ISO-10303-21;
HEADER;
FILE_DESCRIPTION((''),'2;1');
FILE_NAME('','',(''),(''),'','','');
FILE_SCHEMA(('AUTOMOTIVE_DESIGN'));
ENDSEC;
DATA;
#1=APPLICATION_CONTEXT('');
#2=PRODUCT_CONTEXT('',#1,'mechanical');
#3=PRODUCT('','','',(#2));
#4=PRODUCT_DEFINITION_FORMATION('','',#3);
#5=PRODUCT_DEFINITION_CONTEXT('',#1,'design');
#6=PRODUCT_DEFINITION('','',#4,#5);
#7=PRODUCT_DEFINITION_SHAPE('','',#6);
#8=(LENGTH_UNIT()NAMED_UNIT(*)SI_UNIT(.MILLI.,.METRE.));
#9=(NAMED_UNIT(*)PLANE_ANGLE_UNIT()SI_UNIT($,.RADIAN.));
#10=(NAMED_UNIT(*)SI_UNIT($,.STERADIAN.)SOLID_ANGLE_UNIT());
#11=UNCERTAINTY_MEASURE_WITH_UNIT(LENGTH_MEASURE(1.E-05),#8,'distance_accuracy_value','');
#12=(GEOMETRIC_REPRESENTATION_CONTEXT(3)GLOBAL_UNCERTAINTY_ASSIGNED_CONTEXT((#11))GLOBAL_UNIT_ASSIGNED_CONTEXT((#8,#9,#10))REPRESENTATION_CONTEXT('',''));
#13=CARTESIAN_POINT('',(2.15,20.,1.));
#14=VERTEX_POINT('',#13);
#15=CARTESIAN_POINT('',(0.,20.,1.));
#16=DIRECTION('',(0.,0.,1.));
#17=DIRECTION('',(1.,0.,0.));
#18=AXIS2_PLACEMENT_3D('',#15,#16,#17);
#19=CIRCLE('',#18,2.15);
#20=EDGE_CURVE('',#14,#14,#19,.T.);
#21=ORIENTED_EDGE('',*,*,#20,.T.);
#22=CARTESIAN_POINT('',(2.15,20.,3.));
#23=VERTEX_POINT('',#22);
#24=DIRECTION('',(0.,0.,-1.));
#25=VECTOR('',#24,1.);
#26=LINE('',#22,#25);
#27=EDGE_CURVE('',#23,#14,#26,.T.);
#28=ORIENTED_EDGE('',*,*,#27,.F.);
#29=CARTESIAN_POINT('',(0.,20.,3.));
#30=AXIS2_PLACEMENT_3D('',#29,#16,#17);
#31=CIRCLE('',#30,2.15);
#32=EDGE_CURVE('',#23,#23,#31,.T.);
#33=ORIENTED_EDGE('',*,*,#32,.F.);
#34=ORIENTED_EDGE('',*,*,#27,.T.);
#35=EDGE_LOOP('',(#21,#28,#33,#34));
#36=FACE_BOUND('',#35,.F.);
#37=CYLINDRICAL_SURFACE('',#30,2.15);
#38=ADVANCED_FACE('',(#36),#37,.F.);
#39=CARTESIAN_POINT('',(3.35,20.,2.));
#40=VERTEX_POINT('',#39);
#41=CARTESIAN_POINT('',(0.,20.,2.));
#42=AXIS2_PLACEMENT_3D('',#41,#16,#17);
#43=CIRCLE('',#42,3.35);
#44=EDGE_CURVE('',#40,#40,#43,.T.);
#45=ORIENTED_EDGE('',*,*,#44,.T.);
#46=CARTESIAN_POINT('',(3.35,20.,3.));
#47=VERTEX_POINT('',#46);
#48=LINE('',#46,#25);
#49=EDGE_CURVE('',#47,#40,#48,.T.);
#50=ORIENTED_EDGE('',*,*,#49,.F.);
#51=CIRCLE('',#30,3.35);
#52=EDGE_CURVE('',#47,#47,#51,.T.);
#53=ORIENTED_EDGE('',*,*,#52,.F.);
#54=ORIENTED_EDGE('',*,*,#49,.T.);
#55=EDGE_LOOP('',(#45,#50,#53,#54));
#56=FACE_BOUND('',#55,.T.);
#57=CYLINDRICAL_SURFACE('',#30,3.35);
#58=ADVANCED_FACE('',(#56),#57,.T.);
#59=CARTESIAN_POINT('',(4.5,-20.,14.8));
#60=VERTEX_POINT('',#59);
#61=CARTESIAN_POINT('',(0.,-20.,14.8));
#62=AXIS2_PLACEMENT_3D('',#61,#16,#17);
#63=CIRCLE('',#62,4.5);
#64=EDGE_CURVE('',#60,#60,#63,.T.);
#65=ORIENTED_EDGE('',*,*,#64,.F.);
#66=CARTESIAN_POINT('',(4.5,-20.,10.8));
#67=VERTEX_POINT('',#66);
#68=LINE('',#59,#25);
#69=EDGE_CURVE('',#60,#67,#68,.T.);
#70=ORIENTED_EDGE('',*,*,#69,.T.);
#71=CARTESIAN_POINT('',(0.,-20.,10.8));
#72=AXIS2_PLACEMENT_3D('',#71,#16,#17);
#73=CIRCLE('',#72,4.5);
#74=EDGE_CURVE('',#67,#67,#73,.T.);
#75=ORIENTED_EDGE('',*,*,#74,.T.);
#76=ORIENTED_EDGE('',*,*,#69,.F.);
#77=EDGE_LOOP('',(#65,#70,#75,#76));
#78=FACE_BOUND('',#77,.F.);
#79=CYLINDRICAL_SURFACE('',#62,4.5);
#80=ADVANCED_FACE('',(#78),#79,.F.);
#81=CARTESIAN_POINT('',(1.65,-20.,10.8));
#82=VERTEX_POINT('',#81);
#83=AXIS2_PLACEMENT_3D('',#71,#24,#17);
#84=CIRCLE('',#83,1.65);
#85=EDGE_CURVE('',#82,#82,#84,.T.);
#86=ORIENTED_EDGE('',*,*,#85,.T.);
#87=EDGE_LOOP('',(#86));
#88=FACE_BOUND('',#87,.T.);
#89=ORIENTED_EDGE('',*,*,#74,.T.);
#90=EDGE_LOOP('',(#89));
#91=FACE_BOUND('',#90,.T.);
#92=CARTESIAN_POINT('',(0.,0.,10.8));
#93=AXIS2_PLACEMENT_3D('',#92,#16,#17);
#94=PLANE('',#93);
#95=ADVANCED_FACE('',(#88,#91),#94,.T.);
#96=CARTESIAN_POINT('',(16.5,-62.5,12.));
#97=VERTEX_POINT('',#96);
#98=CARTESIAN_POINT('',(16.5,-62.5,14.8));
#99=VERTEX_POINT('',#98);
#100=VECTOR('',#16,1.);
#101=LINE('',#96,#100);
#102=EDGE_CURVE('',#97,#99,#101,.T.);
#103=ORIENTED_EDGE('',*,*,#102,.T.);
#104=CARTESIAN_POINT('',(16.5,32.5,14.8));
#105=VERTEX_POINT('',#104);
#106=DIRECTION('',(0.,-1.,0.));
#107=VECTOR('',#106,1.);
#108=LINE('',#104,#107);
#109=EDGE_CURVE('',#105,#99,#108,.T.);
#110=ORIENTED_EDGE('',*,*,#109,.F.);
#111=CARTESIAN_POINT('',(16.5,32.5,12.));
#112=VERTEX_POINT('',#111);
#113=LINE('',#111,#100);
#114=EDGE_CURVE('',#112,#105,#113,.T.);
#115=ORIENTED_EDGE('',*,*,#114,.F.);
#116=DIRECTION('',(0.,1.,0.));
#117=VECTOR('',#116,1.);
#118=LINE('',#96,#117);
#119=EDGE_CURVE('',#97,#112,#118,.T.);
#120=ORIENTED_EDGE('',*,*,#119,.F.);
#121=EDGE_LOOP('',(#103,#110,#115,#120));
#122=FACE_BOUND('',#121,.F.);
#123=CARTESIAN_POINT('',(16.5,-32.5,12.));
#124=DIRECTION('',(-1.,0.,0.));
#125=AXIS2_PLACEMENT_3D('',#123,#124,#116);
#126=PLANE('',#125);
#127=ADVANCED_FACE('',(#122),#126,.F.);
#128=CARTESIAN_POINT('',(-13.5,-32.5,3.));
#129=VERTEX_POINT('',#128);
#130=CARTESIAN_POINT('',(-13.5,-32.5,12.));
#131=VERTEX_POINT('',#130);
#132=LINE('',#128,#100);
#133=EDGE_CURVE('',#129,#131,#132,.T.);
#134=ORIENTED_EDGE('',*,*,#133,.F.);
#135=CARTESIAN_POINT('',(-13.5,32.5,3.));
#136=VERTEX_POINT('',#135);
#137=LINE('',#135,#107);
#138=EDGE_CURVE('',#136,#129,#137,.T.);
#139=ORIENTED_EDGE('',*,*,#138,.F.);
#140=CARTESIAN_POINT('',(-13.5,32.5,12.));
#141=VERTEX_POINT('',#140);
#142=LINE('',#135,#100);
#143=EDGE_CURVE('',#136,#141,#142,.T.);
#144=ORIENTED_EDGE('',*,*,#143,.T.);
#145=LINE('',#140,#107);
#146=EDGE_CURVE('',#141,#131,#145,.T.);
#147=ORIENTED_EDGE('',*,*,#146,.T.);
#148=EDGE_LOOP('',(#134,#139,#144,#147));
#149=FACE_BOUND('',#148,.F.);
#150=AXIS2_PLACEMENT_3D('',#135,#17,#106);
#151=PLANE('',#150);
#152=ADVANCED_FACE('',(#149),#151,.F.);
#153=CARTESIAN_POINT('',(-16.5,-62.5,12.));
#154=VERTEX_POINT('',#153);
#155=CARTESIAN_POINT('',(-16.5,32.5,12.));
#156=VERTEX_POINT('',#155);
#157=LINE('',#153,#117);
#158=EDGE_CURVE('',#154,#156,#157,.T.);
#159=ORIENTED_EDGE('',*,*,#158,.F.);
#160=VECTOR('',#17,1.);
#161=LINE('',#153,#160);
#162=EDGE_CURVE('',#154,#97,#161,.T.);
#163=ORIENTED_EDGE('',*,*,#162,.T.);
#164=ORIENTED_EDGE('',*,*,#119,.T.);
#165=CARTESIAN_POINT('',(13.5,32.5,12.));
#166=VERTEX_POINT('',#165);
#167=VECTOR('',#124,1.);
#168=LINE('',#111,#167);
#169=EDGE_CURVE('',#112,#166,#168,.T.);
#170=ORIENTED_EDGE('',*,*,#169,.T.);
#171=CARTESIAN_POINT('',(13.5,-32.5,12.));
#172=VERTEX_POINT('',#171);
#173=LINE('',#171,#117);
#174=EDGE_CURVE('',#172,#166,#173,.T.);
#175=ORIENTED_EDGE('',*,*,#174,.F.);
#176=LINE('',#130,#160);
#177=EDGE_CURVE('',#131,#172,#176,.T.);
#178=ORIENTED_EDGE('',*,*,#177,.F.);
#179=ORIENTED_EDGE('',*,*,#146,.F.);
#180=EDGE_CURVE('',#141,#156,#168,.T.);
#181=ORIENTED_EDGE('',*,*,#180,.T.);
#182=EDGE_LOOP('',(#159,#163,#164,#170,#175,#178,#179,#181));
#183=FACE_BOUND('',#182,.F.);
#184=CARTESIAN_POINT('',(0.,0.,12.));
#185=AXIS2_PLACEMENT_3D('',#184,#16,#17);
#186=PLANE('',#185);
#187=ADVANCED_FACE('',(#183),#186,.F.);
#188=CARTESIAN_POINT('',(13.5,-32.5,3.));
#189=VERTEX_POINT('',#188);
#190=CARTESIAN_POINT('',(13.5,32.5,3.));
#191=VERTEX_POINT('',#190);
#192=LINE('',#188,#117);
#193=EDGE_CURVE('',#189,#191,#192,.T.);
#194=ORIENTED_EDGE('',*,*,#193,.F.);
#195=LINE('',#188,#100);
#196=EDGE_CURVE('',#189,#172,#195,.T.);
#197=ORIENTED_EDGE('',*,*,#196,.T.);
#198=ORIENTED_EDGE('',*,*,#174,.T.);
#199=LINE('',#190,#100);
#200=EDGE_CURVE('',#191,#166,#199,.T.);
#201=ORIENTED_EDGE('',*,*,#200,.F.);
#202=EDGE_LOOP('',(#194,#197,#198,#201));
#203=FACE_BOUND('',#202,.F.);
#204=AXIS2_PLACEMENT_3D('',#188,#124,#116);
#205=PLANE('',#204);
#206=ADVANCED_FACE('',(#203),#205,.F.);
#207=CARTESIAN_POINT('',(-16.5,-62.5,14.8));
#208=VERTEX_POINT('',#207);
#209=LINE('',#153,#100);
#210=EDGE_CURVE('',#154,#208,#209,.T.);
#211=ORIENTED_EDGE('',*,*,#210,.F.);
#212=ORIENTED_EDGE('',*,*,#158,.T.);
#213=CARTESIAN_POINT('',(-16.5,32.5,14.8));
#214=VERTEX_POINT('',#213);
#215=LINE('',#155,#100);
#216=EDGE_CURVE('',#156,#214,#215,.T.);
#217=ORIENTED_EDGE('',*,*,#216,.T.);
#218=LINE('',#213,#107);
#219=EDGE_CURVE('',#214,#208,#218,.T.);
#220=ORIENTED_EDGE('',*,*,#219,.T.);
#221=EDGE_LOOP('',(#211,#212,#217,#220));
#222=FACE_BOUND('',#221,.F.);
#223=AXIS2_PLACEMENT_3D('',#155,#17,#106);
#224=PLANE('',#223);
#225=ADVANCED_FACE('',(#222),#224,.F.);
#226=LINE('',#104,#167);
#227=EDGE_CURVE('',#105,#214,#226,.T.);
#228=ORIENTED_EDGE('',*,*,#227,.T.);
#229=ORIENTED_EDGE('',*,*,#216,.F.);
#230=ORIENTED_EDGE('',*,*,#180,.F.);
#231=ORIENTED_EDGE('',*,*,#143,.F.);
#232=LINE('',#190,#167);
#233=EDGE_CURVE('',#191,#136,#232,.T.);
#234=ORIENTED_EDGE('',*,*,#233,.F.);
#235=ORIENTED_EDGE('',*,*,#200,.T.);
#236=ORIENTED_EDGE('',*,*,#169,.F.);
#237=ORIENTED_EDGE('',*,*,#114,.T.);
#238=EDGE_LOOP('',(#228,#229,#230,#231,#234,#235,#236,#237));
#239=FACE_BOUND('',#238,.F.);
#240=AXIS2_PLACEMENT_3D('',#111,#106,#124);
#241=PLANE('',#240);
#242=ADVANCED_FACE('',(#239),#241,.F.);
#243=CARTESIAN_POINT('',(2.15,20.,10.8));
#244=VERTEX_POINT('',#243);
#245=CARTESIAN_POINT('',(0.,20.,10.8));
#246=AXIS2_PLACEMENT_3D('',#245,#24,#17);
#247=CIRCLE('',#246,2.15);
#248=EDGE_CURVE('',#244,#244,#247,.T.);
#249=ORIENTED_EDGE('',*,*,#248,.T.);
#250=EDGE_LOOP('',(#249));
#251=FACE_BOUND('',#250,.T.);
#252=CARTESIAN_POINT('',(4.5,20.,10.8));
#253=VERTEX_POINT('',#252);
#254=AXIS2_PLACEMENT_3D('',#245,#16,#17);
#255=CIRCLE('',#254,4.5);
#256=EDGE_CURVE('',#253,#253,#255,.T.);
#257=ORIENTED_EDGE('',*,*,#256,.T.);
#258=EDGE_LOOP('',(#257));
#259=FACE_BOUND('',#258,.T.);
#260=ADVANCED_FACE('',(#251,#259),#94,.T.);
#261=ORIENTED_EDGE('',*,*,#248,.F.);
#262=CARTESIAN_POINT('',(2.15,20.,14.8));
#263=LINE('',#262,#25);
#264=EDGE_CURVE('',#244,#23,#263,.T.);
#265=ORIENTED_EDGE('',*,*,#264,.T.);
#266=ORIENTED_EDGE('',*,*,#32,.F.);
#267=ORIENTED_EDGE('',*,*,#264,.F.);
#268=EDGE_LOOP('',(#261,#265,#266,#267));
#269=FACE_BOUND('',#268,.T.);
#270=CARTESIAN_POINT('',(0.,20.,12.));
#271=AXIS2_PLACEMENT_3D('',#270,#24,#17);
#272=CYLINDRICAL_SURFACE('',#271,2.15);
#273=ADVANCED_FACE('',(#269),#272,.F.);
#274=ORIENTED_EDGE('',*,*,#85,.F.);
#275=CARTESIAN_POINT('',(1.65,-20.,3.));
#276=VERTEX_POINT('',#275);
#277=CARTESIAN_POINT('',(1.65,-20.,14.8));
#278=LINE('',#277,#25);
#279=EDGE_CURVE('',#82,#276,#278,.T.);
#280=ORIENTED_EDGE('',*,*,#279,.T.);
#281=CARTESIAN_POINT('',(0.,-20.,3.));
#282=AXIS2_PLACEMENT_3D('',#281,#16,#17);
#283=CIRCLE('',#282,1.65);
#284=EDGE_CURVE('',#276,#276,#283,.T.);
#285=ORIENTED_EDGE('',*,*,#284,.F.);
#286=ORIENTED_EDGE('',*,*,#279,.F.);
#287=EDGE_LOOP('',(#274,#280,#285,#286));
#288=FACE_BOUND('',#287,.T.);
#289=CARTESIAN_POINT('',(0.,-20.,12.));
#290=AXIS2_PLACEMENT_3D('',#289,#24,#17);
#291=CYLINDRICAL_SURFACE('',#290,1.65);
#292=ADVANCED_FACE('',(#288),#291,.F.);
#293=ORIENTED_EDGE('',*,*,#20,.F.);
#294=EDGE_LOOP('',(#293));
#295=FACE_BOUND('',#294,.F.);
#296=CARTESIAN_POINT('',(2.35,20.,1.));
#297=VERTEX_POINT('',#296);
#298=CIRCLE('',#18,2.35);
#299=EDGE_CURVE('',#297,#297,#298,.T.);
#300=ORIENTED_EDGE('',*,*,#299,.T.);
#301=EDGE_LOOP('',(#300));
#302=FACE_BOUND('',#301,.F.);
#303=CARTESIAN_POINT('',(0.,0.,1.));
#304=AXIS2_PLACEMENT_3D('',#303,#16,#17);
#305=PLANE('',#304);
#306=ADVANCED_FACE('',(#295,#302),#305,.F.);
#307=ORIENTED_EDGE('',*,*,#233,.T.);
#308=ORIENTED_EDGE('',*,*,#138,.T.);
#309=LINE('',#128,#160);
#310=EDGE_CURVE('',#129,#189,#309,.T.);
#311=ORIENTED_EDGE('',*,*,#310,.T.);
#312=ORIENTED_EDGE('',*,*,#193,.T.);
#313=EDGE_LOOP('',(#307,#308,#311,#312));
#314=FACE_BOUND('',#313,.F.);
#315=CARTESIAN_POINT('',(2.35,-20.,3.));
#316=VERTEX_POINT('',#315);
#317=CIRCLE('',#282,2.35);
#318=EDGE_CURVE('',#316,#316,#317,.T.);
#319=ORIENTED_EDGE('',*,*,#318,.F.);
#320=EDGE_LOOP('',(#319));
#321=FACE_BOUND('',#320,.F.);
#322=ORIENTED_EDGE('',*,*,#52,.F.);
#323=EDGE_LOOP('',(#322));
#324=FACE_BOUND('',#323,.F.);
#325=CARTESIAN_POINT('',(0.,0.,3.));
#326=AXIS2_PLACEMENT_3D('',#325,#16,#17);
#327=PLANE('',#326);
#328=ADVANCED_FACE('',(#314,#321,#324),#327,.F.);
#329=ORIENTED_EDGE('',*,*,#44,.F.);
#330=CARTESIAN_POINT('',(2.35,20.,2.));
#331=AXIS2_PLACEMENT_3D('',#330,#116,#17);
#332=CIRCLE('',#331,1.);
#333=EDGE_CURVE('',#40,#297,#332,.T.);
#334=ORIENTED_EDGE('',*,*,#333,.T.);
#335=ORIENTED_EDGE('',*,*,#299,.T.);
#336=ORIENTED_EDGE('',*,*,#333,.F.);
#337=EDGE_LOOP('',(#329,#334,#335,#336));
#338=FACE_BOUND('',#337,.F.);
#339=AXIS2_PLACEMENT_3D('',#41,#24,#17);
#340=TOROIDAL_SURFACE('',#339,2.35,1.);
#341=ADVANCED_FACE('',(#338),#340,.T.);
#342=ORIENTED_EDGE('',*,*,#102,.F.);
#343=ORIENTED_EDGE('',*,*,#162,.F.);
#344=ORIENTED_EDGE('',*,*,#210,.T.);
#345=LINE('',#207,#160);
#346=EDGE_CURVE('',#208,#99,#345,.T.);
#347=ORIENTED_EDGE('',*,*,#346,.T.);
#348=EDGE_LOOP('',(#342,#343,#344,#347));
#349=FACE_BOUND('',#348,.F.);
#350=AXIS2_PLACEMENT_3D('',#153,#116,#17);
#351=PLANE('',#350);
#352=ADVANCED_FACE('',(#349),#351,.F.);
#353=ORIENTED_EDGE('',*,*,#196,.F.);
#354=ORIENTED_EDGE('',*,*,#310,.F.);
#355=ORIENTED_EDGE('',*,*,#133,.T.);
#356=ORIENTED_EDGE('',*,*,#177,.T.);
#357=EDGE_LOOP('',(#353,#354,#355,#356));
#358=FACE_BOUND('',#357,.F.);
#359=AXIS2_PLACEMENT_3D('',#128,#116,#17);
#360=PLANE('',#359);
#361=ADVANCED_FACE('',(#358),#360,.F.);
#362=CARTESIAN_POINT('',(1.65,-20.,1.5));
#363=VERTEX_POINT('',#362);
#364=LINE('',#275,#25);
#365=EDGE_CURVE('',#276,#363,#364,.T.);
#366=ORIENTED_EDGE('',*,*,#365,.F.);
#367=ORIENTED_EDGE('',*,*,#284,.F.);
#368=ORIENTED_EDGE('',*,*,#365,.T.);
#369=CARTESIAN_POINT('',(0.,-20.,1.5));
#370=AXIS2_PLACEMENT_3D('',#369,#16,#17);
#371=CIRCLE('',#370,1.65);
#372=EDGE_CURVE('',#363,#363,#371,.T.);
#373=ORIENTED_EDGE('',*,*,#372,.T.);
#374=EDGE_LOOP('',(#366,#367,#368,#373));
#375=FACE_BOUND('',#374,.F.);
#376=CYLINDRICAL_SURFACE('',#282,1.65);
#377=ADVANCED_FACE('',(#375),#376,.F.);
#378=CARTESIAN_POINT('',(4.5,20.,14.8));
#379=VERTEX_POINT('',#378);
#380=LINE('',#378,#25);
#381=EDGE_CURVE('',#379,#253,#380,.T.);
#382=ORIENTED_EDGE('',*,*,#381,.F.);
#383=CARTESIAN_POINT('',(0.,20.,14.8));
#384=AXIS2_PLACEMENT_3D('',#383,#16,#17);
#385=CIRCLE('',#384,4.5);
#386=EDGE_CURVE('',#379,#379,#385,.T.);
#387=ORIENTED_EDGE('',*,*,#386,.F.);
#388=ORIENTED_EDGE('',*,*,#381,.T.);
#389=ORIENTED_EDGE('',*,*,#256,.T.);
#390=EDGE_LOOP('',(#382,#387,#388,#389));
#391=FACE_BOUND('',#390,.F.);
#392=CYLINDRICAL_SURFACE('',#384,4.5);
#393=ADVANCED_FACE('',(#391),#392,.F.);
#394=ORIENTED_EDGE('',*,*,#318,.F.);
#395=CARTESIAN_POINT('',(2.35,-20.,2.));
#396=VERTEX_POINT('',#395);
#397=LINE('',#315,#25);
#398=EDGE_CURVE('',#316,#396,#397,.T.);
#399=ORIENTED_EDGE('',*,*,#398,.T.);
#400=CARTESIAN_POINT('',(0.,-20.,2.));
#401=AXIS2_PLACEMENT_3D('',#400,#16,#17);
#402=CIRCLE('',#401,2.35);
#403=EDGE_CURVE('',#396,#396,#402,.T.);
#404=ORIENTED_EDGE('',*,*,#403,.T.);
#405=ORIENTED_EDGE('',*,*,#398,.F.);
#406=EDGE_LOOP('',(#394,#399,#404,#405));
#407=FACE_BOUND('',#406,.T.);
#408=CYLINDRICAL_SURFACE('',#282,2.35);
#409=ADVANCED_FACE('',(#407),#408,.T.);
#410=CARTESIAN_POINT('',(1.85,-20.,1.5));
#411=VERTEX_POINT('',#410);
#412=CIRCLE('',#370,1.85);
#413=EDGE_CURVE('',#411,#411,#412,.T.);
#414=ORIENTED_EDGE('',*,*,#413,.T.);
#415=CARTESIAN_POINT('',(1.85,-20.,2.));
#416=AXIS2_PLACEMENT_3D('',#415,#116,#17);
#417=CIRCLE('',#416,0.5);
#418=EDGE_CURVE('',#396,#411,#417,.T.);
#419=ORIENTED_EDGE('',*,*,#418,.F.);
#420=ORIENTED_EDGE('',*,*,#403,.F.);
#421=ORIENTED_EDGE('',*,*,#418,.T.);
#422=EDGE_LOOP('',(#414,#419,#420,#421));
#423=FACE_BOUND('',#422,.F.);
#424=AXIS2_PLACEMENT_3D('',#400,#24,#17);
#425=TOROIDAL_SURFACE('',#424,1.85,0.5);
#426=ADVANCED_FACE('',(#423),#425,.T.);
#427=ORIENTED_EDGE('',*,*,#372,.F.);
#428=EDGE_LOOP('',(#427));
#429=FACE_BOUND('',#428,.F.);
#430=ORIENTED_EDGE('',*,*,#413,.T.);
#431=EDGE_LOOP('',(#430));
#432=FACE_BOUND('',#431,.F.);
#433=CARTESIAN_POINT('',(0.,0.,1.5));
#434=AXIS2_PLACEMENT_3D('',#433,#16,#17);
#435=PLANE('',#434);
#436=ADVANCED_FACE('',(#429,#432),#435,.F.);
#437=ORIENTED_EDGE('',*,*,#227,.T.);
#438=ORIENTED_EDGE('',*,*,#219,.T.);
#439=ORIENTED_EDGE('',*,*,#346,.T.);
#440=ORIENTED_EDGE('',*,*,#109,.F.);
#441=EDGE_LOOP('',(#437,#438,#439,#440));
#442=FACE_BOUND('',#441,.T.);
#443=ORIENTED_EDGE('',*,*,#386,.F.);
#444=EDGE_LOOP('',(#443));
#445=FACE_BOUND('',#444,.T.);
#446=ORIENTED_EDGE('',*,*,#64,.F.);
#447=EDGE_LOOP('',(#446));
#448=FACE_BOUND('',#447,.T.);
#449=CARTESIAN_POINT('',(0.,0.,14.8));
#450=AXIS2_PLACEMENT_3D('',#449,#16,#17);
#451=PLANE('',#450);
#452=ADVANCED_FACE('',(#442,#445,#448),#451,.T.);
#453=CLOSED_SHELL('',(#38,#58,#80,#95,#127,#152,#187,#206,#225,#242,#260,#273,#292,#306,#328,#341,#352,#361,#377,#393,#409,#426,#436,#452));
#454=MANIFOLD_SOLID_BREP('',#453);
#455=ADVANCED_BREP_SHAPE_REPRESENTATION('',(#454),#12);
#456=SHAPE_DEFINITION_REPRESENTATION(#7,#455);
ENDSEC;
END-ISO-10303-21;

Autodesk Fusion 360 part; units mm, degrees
sketch "Sketch1" plane through (0, 0, 0) normal (0, 0, 1) x (1, 0, 0)
  line L0 (-30.5, 32.5) -> (30.5, 32.5)
  line L1 (32.5, 30.5) -> (32.5, -30.5)
  line L2 (30.5, -32.5) -> (-30.5, -32.5)
  line L3 (-32.5, -30.5) -> (-32.5, 30.5)
  line L4 (-32.5, 32.5) -> (32.5, -32.5) construction
  line L5 (32.5, 32.5) -> (-32.5, -32.5) construction
  circle A0 centre (0, 0) radius 2.5
  circle A1 centre (0, 10) radius 2.5
  circle A2 centre (0, 20) radius 3.5
  circle A3 centre (0, -10) radius 2.5
  circle A4 centre (0, -20) radius 2.5
  circle A5 centre (10, -20) radius 2.5
  circle A6 centre (10, 0) radius 2.5
  circle A7 centre (10, 20) radius 2.5
  circle A8 centre (20, -20) radius 2.5
  circle A9 centre (20, 20) radius 2.5
  line L6 (17.5, 10) -> (17.5, -10)
  line L7 (22.5, -10) -> (22.5, 10)
  arc A10 (22.5, 10) -> (17.5, 10) centre (20, 10) ccw
  arc A11 (17.5, -10) -> (22.5, -10) centre (20, -10) ccw
  line L8 (29, 3) -> (29, -3)
  line L9 (26, -3) -> (26, 3)
  arc A12 (29, 3) -> (26, 3) centre (27.5, 3) ccw
  arc A13 (26, -3) -> (29, -3) centre (27.5, -3) ccw
  arc A14 (29, 23) -> (26, 23) centre (27.5, 23) ccw
  line L10 (29, 23) -> (29, 17)
  arc A15 (26, 17) -> (29, 17) centre (27.5, 17) ccw
  line L11 (26, 17) -> (26, 23)
  arc A16 (26, -23) -> (29, -23) centre (27.5, -23) ccw
  line L12 (29, -17) -> (29, -23)
  line L13 (26, -23) -> (26, -17)
  arc A17 (29, -17) -> (26, -17) centre (27.5, -17) ccw
  circle A18 centre (-10, -20) radius 2.5
  line L14 (-26, -3) -> (-26, 3)
  line L15 (-26, 17) -> (-26, 23)
  arc A19 (-29, -3) -> (-26, -3) centre (-27.5, -3) ccw
  circle A20 centre (-10, 20) radius 2.5
  circle A21 centre (-20, -20) radius 2.5
  line L16 (-29, 23) -> (-29, 17)
  circle A22 centre (-20, 20) radius 2.5
  arc A23 (-17.5, 10) -> (-22.5, 10) centre (-20, 10) ccw
  arc A24 (-26, 23) -> (-29, 23) centre (-27.5, 23) ccw
  arc A25 (-22.5, -10) -> (-17.5, -10) centre (-20, -10) ccw
  arc A26 (-26, 3) -> (-29, 3) centre (-27.5, 3) ccw
  line L17 (-17.5, 10) -> (-17.5, -10)
  line L18 (-29, 3) -> (-29, -3)
  circle A27 centre (-10, 0) radius 2.5
  arc A28 (-29, -23) -> (-26, -23) centre (-27.5, -23) ccw
  line L19 (-22.5, -10) -> (-22.5, 10)
  line L20 (-26, -23) -> (-26, -17)
  arc A29 (-26, -17) -> (-29, -17) centre (-27.5, -17) ccw
  arc A30 (-29, 17) -> (-26, 17) centre (-27.5, 17) ccw
  line L21 (-29, -17) -> (-29, -23)
  arc A31 (-30.5, 32.5) -> (-32.5, 30.5) centre (-30.5, 30.5) ccw
  arc A32 (32.5, 30.5) -> (30.5, 32.5) centre (30.5, 30.5) ccw
  arc A33 (30.5, -32.5) -> (32.5, -30.5) centre (30.5, -30.5) ccw
  arc A34 (-32.5, -30.5) -> (-30.5, -32.5) centre (-30.5, -30.5) ccw
  circle A35 centre (0, 20) radius 1.65
  circle A36 centre (0, 20) radius 3.35
  circle A37 centre (0, -20) radius 1.65
  circle A38 centre (0, -20) radius 2.35
  dimension "d1" = 65
  dimension "d2" = 65
  dimension "d3" = 5
  dimension "d8" = 7
  dimension "d11" = 0
  dimension "d12" = -10
  dimension "d13" = 5
  dimension "d14" = 5
  dimension "d16" = 5
  dimension "d17" = 3
  dimension "d19" = 3
  dimension "d20" = 3
  dimension "d21" = 3
  dimension "d22" = 3
  dimension "d23" = 3
  dimension "d24" = 2
  dimension "d25" = 2
  dimension "d26" = 2
  dimension "d27" = 2
  dimension "d42" = 3.3
  dimension "d43" = 6.7
  dimension "d44" = 3.3
  dimension "d45" = 4.7
ref_plane "WorkPlane1" through (0, 0, 3) normal (0, 0, 1) x (1, 0, 0)
sketch "Sketch3" plane through (0, 0, 3) normal (0, 0, 1) x (1, 0, 0)
  line L0 (13.5, 32.5) -> (-13.5, 32.5)
  line L1 (-13.5, 32.5) -> (-13.5, -32.5)
  line L2 (-13.5, -32.5) -> (13.5, -32.5)
  line L3 (13.5, -32.5) -> (13.5, 32.5)
  line L4 (13.5, 32.5) -> (-13.5, -32.5) construction
  line L5 (-13.5, 32.5) -> (13.5, -32.5) construction
  circle A0 centre (0, 20) radius 3.35
  circle A1 centre (0, -20) radius 2.35
  circle A2 centre (0, 20) radius 2.15
  circle A3 centre (0, -20) radius 1.65
  dimension "d33" = 27
  dimension "d34" = 65
  dimension "d67" = 6.7
  dimension "d68" = 4.7
  dimension "d69" = 4.3
  dimension "d70" = 3.3
ref_plane "WorkPlane2" through (0, 0, 12) normal (0, 0, 1) x (1, 0, 0)
sketch "Sketch4" plane through (0, 0, 12) normal (0, 0, 1) x (1, 0, 0)
  line L0 (16.5, 32.5) -> (-16.5, 32.5)
  line L1 (-16.5, 32.5) -> (-16.5, -32.5)
  line L2 (16.5, -32.5) -> (16.5, 32.5)
  line L3 (-16.5, -32.5) -> (-16.5, -62.5)
  line L4 (-16.5, -62.5) -> (16.5, -62.5)
  line L5 (16.5, -62.5) -> (16.5, -32.5)
  circle A0 centre (0, 20) radius 2.15
  circle A1 centre (0, -20) radius 1.65
  dimension "d38" = 30
  dimension "d39" = 33
ref_plane "WorkPlane3" through (0, 0, 14.8) normal (0, 0, 1) x (1, 0, 0)
sketch "Sketch5" plane through (0, 0, 14.8) normal (0, 0, 1) x (1, 0, 0)
  circle A0 centre (0, 20) radius 4.5
  circle A1 centre (0, -20) radius 4.5
  dimension "d61" = 9
  dimension "d62" = 9
extrude "Extrude8" add sketch "Sketch3" along normal blind 9 contours L0 L1 L2 L3 | A0 | A1 makes body 1
extrude "Extrude9" add sketch "Sketch4" along normal blind 2.8 bodies 1
extrude "Extrude10" cut sketch "Sketch5" against normal blind 4 bodies 1
extrude "Extrude11" add sketch "Sketch3" against normal blind 2 contours A0 bodies 1
fillet "Fillet3" radius 1 1 edges at (-3.1233, 21.2114, 1) on bodies 1
extrude "Extrude12" add sketch "Sketch3" against normal blind 1.5 contours A1 bodies 1
fillet "Fillet4" radius 0.5 1 edges at (-2.191, -19.1502, 1.5) on bodies 1
extrude "Extrude1" add sketch "Sketch1" along normal blind 3 separate body contours L0 L1 L2 L3 A31 A32 A33 A34 makes body 2
hidden bodies 2
equation "d43 = 7 mm - 0.3 mm"
equation "d45 = 5 mm - 0.3 mm"
equation "d67 = 7 mm - 0.3 mm"
equation "d68 = 5 mm - 0.3 mm"
